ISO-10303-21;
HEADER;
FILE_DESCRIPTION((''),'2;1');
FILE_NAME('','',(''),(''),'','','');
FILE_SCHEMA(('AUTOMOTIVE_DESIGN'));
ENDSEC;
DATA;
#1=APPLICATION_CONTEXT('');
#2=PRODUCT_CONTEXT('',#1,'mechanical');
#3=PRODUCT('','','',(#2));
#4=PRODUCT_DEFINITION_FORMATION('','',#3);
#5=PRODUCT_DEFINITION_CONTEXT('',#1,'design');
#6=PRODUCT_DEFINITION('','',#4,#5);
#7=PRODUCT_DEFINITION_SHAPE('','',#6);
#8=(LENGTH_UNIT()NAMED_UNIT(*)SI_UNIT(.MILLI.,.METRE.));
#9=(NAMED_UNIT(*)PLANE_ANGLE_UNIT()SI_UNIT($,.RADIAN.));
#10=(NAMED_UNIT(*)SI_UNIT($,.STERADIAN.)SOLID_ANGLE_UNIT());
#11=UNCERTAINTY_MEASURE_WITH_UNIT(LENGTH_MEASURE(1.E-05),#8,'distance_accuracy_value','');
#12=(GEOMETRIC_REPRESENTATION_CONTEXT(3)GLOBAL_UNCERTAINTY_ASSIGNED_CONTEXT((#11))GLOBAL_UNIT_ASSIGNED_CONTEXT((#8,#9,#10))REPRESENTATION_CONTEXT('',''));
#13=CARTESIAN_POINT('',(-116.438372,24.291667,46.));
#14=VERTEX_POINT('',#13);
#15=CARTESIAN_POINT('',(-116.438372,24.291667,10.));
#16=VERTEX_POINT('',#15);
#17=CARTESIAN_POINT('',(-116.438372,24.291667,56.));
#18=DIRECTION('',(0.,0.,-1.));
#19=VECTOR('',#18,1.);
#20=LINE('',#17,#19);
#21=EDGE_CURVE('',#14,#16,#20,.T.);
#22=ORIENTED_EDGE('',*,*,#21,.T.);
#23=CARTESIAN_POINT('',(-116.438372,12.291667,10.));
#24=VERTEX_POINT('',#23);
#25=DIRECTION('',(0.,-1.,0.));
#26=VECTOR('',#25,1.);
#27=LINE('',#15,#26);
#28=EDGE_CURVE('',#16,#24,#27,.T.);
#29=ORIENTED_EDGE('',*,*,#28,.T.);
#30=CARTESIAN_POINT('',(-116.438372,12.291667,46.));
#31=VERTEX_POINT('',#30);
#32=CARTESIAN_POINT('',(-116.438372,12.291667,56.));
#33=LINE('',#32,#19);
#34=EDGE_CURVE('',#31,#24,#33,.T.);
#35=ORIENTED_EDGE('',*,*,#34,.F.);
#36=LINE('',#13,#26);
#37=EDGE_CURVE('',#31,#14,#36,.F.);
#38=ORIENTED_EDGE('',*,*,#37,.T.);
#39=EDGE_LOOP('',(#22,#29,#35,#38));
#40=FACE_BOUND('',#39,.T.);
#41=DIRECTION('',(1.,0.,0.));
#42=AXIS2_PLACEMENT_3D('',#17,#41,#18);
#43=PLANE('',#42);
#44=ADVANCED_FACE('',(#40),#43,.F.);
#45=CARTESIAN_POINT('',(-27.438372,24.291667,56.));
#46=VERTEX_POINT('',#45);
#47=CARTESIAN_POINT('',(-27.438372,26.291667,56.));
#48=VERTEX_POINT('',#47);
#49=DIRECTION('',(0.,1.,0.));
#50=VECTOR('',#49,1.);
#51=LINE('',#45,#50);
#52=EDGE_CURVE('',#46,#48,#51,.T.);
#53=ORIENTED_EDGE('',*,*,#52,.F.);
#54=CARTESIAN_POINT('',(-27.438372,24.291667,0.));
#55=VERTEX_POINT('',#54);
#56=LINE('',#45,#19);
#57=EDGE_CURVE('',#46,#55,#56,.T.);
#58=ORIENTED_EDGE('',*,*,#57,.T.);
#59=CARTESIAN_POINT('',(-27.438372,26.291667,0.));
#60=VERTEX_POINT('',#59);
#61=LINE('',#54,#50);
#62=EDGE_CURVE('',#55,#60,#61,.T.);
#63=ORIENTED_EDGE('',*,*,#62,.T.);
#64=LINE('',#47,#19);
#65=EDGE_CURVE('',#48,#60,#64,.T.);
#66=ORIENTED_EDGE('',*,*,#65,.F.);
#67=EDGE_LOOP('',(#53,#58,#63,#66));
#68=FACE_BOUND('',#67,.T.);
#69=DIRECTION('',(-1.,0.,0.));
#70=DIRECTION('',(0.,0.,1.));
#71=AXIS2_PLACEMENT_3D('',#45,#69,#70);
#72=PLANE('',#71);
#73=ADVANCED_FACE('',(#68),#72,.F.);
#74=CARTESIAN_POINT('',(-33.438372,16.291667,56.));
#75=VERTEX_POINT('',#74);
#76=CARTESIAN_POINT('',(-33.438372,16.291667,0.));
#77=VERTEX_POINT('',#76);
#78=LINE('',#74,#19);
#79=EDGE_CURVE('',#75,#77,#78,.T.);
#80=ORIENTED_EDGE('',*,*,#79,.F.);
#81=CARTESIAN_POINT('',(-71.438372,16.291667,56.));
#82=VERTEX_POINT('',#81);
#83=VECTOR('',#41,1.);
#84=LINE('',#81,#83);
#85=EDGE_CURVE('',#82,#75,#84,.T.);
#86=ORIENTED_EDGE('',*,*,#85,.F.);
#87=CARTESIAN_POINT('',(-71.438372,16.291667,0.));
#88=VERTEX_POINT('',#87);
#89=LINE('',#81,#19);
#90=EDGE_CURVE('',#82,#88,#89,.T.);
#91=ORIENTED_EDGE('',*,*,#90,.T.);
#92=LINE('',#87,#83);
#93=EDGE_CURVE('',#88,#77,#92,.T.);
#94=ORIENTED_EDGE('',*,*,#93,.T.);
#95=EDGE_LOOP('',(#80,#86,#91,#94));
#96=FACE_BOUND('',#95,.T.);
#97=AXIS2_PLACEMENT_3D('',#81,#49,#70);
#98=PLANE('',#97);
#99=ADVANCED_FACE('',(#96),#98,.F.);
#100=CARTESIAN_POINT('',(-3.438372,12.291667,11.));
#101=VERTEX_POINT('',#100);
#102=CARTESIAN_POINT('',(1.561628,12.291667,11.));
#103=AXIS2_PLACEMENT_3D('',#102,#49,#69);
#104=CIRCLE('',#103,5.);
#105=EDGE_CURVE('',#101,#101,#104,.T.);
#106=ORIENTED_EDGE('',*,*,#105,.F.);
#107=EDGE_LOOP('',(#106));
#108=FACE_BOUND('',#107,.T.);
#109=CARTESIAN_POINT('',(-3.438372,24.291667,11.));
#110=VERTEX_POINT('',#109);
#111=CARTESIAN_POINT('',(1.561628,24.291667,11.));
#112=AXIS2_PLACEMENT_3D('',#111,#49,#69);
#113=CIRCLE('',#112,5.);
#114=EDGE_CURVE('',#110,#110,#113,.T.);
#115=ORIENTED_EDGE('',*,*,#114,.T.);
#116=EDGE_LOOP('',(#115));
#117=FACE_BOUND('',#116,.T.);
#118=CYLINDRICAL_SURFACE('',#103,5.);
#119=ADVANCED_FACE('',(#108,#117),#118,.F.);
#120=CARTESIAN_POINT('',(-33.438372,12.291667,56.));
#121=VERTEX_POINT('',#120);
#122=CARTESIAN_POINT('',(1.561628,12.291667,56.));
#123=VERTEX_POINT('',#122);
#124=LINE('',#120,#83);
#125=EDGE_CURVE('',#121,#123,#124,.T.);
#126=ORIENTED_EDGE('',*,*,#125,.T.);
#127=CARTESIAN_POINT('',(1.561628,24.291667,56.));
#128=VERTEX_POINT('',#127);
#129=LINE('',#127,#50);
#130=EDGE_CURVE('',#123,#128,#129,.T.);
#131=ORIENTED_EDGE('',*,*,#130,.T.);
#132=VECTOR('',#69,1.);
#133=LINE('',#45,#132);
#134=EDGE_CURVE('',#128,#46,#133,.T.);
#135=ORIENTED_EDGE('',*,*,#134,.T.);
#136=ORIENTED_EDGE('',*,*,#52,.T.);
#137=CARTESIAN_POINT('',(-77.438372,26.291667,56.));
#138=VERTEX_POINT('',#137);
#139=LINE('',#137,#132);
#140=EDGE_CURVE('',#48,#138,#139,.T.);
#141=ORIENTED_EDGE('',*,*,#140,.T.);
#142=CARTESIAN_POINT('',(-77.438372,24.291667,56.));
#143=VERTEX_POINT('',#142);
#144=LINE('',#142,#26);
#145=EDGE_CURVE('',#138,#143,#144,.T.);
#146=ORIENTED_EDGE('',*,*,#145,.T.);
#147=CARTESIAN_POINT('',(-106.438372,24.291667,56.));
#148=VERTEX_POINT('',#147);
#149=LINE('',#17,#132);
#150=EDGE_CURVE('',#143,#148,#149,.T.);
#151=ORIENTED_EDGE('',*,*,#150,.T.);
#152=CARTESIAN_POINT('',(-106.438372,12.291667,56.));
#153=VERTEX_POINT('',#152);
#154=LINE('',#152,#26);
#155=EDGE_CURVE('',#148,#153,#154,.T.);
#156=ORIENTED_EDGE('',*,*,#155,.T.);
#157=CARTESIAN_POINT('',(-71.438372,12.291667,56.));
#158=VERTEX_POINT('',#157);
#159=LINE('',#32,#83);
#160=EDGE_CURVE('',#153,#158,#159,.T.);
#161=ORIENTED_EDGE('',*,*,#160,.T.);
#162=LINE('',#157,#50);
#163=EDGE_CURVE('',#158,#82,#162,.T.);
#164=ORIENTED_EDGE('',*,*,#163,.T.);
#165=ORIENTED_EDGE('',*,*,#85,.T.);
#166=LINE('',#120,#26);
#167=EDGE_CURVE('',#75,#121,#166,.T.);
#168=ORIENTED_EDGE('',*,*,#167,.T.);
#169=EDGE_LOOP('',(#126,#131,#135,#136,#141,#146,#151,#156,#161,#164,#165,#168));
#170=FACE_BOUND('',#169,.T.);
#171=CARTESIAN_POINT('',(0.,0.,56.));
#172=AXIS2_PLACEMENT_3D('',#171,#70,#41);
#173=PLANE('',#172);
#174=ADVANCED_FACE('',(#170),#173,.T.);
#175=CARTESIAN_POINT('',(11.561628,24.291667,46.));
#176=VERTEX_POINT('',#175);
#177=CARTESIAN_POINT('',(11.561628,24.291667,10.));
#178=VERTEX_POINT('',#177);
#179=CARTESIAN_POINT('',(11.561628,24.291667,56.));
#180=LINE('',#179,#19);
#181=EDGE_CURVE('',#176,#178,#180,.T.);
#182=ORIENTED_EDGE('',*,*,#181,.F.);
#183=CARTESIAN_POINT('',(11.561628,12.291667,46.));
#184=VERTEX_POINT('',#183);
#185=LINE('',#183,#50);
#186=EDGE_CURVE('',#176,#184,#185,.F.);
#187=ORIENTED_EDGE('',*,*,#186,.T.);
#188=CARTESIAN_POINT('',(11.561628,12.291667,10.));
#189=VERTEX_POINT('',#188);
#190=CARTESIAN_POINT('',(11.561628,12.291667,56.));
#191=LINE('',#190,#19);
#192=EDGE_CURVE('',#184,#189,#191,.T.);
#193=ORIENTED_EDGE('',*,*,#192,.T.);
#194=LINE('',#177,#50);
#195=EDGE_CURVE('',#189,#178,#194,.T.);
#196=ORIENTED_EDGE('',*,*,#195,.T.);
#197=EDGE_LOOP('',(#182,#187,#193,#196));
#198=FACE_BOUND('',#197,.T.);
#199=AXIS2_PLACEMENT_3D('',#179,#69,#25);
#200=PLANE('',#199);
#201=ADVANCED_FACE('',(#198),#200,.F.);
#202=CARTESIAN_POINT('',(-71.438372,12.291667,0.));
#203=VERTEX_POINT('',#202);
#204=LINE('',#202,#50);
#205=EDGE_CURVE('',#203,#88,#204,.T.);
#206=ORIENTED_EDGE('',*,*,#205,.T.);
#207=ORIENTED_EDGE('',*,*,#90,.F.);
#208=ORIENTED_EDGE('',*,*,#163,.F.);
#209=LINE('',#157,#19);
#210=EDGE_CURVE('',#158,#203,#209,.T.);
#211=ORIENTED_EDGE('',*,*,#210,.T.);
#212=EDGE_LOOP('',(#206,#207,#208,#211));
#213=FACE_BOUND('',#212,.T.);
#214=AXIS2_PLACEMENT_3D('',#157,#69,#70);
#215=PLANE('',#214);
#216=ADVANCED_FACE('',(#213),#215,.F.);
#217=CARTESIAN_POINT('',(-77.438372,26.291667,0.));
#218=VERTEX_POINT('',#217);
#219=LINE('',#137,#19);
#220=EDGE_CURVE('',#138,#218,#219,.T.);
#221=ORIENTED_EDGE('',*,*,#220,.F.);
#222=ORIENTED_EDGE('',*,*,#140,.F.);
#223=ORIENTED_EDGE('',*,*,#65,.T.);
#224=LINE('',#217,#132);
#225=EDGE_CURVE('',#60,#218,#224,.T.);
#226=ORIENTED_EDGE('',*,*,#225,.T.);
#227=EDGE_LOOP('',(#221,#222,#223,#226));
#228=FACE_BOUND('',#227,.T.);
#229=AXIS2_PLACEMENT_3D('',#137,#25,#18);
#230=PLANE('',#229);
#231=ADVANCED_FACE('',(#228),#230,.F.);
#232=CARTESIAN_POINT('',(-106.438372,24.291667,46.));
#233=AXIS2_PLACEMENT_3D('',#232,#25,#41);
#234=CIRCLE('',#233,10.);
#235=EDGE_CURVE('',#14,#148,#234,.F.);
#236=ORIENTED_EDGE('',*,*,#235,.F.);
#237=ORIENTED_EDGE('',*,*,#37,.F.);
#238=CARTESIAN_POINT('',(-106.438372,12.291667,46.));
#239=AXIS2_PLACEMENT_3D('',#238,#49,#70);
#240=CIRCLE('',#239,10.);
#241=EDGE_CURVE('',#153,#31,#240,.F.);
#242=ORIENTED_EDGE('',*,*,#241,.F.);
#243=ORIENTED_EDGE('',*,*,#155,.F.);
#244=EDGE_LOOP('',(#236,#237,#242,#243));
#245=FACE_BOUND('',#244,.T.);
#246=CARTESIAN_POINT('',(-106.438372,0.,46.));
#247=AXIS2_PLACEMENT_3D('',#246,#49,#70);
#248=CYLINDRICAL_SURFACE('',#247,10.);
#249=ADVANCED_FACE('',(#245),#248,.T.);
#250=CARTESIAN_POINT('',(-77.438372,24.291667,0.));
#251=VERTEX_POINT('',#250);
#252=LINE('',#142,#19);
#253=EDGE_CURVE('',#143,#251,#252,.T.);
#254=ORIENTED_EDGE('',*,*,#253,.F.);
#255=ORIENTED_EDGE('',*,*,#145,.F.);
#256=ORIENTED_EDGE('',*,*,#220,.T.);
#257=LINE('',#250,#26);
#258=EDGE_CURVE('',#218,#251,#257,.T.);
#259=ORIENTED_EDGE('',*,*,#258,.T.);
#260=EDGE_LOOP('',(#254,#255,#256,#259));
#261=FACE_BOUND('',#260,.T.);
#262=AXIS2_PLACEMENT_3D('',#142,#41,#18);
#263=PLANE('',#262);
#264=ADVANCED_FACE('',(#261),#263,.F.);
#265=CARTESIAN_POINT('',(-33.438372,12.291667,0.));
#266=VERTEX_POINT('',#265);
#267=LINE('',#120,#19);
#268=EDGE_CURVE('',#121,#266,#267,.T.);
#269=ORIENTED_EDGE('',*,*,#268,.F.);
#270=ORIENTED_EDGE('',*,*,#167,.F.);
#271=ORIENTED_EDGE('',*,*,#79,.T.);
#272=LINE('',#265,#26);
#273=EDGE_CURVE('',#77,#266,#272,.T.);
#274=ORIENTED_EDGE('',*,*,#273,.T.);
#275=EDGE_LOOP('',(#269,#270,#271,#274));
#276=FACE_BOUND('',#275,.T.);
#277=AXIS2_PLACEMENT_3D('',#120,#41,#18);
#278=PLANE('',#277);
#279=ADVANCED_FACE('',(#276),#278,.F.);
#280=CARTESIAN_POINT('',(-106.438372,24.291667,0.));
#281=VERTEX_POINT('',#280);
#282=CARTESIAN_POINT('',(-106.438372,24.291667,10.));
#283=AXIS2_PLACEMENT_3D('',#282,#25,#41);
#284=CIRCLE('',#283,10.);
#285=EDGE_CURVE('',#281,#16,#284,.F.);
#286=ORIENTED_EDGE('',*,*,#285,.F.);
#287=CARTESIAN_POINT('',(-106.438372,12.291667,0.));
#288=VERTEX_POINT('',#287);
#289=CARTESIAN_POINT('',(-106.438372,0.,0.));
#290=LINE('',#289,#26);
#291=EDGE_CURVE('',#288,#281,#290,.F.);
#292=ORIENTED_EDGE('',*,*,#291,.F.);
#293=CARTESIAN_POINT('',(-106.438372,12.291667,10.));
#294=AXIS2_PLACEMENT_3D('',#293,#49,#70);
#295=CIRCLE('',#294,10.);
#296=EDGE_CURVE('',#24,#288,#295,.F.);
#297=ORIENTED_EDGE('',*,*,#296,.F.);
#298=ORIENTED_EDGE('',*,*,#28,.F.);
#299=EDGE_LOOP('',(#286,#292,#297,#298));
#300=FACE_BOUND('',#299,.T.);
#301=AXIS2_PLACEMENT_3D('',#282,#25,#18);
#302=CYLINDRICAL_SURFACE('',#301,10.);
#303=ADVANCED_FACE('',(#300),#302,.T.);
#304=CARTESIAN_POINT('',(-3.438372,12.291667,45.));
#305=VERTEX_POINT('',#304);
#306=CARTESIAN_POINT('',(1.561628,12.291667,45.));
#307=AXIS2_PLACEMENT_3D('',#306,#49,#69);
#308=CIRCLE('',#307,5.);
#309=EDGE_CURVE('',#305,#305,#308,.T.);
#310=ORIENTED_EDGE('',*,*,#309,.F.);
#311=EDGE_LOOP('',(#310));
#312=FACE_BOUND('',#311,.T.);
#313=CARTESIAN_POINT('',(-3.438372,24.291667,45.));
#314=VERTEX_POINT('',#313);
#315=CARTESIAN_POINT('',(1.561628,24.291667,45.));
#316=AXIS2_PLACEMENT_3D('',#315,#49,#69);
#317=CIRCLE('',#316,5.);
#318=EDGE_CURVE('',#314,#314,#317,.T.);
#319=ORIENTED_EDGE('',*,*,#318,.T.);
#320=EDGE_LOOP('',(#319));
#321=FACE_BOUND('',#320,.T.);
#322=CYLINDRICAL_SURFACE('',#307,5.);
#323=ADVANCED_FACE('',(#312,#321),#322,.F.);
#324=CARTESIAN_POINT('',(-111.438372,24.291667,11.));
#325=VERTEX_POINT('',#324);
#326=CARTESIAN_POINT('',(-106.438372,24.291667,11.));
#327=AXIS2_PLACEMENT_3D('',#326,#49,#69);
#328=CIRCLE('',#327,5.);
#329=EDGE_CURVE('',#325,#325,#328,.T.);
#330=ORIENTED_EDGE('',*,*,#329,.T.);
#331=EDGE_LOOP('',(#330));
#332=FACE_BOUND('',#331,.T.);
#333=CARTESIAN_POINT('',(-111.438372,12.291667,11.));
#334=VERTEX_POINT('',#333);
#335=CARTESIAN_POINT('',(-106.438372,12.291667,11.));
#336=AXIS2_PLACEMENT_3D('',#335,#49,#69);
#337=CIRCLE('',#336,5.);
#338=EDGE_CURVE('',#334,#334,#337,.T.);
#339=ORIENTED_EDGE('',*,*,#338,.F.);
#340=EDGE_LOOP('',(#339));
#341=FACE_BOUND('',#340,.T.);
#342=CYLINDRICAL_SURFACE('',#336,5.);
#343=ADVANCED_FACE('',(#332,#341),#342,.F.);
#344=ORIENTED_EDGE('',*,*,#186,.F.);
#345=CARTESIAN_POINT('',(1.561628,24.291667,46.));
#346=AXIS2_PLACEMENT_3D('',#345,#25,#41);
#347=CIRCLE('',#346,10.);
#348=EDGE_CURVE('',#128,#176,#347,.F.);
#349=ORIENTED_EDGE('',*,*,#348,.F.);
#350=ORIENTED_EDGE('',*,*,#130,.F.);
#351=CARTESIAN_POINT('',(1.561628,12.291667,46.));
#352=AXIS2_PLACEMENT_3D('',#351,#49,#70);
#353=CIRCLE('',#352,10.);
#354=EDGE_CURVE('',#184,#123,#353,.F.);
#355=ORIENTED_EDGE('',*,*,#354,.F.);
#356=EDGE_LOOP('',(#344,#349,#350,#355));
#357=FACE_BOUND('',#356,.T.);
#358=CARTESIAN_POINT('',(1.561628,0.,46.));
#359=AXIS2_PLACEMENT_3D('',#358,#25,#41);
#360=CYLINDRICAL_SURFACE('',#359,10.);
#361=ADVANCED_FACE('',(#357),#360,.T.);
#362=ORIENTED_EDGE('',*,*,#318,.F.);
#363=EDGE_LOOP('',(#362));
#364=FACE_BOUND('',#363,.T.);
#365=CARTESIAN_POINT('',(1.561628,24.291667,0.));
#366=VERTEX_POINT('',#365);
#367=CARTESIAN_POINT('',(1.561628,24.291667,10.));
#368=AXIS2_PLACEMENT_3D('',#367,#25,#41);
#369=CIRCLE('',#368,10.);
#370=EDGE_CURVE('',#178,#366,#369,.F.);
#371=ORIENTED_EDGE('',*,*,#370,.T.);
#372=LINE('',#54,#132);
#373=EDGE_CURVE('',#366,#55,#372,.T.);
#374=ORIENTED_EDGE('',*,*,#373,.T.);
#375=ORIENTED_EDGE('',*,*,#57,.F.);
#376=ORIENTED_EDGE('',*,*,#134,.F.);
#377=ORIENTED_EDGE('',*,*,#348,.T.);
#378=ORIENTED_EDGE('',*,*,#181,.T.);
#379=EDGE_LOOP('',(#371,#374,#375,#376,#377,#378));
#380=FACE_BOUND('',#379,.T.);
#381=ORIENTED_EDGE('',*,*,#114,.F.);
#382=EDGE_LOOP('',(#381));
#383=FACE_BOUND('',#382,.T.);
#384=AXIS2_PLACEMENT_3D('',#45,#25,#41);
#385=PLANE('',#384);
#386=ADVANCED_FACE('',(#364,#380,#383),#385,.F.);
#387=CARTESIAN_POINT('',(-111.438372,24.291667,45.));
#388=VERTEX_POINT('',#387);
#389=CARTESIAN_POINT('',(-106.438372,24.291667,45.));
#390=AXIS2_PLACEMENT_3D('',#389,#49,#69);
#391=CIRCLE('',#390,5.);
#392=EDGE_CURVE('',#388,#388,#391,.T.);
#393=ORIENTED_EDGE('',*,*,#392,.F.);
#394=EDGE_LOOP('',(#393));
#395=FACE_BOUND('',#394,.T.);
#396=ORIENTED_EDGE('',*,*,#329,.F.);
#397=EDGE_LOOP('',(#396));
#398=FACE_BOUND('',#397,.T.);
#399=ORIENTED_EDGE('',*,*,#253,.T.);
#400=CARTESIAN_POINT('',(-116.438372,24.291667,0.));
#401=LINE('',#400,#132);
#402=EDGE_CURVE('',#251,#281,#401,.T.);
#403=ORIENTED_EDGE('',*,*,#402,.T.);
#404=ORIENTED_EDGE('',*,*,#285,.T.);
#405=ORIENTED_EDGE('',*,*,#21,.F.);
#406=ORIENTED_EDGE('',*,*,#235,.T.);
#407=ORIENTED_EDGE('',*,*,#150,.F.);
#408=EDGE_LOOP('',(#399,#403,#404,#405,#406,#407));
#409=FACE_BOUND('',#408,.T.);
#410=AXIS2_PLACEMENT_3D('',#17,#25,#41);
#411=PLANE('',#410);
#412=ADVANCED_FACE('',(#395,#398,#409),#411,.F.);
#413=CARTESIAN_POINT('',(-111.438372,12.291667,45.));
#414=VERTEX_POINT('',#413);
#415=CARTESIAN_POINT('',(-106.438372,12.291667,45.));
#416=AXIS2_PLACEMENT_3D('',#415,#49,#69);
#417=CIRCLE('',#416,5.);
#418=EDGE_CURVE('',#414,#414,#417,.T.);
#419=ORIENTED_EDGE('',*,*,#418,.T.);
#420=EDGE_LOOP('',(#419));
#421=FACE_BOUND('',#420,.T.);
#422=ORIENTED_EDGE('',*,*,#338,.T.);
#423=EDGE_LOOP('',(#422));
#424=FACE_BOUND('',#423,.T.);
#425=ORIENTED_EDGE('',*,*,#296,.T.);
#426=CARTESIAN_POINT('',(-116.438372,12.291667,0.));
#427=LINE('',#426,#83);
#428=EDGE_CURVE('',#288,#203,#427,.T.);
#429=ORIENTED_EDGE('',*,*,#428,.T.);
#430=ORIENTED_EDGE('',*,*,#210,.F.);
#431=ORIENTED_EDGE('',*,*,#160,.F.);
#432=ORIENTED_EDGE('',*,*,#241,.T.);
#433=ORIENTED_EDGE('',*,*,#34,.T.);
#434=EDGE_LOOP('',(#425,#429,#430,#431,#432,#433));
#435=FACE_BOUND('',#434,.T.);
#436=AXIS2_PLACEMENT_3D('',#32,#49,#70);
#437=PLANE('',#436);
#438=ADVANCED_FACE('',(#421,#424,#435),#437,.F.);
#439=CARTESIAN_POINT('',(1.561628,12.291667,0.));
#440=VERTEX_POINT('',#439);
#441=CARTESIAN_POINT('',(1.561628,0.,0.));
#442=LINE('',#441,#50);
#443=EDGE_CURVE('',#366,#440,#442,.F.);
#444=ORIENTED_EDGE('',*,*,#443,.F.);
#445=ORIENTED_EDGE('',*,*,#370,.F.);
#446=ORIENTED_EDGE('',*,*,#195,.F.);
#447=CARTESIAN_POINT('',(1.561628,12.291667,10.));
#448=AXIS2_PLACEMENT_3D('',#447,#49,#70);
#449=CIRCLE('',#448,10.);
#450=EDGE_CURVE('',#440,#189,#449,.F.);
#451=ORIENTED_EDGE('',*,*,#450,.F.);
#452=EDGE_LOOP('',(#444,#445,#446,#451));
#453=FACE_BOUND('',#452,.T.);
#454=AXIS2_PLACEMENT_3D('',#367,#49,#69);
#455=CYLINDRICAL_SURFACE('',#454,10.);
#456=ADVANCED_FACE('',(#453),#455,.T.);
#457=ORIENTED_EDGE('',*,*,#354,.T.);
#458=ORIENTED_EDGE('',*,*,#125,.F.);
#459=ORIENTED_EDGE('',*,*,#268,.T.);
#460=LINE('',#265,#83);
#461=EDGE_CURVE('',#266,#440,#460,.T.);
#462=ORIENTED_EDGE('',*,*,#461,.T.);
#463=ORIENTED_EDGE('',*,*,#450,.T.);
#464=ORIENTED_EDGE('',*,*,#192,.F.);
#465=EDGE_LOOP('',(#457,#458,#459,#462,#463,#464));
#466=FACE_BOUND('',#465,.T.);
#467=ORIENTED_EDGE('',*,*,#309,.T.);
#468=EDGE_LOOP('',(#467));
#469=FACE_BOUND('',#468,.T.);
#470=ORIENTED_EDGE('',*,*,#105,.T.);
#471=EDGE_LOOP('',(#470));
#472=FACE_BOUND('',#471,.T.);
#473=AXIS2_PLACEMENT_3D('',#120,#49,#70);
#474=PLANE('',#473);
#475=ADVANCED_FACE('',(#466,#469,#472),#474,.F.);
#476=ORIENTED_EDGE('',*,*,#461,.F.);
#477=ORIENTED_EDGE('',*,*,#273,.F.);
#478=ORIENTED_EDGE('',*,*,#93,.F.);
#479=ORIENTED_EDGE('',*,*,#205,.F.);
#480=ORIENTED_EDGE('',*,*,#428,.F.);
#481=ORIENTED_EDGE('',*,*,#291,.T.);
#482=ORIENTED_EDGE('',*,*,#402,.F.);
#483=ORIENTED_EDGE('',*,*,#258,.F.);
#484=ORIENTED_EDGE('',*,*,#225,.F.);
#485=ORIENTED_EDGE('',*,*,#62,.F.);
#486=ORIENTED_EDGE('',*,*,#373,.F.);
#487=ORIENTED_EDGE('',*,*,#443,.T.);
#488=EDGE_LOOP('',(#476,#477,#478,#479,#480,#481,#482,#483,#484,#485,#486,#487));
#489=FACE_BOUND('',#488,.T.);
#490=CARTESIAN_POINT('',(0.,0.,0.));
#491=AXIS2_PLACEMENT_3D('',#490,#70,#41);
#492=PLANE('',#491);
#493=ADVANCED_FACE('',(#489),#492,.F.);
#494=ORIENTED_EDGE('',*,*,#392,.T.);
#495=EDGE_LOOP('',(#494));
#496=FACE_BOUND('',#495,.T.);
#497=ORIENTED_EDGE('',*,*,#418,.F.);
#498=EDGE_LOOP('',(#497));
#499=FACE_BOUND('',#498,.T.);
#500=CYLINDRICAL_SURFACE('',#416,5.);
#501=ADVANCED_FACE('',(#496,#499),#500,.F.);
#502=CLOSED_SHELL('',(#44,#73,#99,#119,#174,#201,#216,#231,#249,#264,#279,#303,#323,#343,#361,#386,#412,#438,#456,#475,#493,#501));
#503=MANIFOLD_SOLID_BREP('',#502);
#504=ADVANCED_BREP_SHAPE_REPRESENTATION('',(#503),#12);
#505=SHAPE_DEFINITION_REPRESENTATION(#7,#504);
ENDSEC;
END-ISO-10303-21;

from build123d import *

# Parameters (mm, degrees)
Y_KSEKLIK_EKSTR_ZYON1_DEPTH = 56
RADYUS1_R                   = 10
IZIM2_R                     = 5
KES_EKSTR_ZYON1_DEPTH       = 130.760913174


with BuildPart() as part:
    # Çizim1 → Yükseklik-Ekstrüzyon1 (new body)
    with BuildSketch(Plane.XY):
        Polygon((-33.438372489, 12.291666667), (11.561627511, 12.291666667), (11.561627511, 24.291666667), (-27.438372489, 24.291666667), (-27.438372489, 26.291666667), (-77.438372489, 26.291666667), (-77.438372489, 24.291666667), (-116.438372489, 24.291666667), (-116.438372489, 12.291666667), (-71.438372489, 12.291666667), (-71.438372489, 16.291666667), (-33.438372489, 16.291666667), align=None)
    extrude(amount=Y_KSEKLIK_EKSTR_ZYON1_DEPTH)

    # Radyus1
    radyus1_edges = [part.edges().sort_by_distance(p)[0] for p in [
        (11.561627511, 18.291666667, 0),
        (-116.438372489, 18.291666667, 0),
        (11.561627511, 18.291666667, 56),
        (-116.438372489, 18.291666667, 56),
    ]]
    fillet(radyus1_edges, radius=RADYUS1_R)

    # Çizim2 → Kes-Ekstrüzyon1 (cut, through all)
    with BuildSketch(Plane(origin=(0, 24.291666667, 0), x_dir=(1, 0, 0), z_dir=(0, 1, 0))):
        with Locations(Location((-106.438372489, -11, 0), (0, 0, 180))):
            Circle(IZIM2_R)
        with Locations(Location((-106.438372489, -45, 0), (0, 0, 180))):
            Circle(IZIM2_R)
        with Locations(Location((1.561627511, -45, 0), (0, 0, 180))):
            Circle(IZIM2_R)
        with Locations(Location((1.561627511, -11, 0), (0, 0, 180))):
            Circle(IZIM2_R)
    extrude(amount=-KES_EKSTR_ZYON1_DEPTH, mode=Mode.SUBTRACT)


solid = part.part
